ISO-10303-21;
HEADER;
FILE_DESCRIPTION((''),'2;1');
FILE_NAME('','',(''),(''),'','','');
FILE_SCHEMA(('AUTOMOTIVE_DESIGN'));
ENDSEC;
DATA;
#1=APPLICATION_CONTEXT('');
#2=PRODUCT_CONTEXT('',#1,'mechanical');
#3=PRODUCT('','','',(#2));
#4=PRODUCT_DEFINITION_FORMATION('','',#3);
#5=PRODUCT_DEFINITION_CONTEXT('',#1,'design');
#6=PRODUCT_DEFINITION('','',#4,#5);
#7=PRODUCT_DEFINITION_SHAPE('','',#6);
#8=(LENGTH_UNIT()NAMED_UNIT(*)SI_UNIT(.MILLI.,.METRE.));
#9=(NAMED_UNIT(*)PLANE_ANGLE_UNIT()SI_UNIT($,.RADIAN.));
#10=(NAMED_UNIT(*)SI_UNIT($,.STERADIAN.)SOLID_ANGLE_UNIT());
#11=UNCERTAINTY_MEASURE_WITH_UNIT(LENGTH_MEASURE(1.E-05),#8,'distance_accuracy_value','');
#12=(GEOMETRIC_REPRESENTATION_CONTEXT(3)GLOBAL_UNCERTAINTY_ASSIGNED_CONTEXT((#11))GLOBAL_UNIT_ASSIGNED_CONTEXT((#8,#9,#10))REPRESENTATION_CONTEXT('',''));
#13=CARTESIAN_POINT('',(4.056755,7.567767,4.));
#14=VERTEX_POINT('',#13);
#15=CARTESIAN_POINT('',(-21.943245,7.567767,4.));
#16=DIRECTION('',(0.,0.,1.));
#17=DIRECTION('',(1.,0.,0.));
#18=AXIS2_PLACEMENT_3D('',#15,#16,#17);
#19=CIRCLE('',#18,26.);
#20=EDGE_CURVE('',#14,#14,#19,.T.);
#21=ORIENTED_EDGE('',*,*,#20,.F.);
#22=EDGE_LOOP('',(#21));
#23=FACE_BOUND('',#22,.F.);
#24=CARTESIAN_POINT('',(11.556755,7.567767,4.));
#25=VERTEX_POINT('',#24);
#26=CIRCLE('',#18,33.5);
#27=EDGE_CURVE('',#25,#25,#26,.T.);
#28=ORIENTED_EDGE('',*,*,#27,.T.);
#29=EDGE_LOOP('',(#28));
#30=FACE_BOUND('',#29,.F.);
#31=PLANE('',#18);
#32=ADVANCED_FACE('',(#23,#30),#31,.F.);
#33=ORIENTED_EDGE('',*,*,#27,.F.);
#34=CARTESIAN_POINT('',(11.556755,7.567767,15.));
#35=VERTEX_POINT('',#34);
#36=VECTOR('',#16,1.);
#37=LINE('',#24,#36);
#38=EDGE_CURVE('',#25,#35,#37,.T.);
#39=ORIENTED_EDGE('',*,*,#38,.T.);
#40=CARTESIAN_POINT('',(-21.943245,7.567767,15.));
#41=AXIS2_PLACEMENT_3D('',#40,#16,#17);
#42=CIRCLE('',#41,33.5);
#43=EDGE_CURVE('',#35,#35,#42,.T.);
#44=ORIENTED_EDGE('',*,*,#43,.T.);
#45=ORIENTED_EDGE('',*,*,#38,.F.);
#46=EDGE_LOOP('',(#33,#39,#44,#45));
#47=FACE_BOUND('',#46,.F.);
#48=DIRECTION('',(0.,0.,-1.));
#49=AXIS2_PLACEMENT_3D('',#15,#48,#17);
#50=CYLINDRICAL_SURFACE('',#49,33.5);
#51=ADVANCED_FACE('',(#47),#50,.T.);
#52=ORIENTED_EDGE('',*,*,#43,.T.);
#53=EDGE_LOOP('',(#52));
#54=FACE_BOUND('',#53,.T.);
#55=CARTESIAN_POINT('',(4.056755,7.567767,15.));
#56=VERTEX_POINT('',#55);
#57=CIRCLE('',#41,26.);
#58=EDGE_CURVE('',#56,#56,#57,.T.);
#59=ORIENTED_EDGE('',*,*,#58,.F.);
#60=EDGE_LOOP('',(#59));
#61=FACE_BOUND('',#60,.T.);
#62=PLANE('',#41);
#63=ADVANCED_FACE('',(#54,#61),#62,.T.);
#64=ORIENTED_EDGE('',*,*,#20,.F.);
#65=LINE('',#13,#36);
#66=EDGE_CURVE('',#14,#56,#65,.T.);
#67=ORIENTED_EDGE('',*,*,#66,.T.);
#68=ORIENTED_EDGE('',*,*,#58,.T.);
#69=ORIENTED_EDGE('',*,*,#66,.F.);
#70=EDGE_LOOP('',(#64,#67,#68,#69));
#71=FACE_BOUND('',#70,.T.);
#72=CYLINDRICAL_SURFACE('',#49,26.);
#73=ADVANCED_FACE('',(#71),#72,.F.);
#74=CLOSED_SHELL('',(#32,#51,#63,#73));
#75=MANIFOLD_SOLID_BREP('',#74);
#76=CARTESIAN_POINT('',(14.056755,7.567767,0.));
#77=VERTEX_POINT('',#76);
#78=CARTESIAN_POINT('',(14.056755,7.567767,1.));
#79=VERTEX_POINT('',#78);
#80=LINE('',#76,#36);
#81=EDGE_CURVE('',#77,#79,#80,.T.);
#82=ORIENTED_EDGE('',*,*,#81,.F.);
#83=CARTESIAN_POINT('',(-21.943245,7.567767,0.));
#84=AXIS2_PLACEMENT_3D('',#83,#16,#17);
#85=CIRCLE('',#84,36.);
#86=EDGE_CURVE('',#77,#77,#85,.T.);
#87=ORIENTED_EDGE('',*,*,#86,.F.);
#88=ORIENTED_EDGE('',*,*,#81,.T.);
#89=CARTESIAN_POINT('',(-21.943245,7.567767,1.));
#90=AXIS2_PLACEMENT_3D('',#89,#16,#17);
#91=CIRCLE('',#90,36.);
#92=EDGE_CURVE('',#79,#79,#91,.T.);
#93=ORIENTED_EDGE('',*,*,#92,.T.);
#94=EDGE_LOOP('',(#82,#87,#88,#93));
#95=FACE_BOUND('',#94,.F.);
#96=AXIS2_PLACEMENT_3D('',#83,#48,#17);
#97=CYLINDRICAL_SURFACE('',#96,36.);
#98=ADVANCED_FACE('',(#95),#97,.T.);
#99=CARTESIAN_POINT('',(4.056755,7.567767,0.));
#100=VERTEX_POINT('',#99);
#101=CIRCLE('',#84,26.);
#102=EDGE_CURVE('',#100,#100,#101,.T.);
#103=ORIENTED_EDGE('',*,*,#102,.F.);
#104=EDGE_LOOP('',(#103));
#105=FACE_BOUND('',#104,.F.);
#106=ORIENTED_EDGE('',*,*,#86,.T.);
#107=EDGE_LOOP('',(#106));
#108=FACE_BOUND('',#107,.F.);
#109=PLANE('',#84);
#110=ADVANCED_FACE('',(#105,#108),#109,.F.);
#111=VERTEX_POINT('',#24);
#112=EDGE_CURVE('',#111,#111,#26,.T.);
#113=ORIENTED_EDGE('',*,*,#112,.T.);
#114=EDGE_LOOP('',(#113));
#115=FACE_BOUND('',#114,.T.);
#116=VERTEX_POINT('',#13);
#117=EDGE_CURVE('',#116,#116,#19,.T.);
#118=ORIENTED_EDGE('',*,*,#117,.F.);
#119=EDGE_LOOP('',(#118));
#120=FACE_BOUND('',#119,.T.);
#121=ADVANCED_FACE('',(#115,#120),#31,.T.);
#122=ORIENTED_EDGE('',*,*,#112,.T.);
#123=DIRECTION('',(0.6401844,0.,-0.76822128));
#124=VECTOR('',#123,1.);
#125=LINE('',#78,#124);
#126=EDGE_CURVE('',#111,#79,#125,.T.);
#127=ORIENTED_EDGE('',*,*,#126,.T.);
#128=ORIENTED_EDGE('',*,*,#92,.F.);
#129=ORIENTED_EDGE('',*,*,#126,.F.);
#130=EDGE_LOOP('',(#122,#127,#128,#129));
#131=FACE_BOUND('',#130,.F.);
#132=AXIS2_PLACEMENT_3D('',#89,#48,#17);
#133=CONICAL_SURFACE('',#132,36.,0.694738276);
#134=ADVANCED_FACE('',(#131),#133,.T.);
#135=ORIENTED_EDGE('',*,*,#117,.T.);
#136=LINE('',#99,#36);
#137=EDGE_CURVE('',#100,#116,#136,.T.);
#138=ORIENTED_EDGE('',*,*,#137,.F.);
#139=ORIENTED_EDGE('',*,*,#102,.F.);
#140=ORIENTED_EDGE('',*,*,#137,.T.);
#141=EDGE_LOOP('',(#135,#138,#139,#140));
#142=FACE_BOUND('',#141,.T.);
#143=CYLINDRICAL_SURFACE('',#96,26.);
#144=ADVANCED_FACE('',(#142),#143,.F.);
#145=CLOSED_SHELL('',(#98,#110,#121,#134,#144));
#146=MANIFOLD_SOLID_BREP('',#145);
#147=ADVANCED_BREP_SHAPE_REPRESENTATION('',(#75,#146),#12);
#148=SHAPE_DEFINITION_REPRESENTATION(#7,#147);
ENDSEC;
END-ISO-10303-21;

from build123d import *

# Parameters (mm, degrees)
F0_R     = 36
F0_R_2   = 26
F1_DEPTH = 4
F2_R     = 33.5
F2_R_2   = 26
F3_DEPTH = 11
F4_SIZE2 = 3
F4_SIZE  = 2.5


with BuildPart() as f1:
    # F0 (on Top) → F1 (new body)
    with BuildSketch(Plane.XY):
        with Locations((-21.9432450831, 7.5677670538)):
            Circle(F0_R)
        with Locations((-21.9432450831, 7.5677670538)):
            Circle(F0_R_2, mode=Mode.SUBTRACT)
    extrude(amount=F1_DEPTH)

    # F4
    f4_edges = [f1.edges().sort_by_distance(p)[0] for p in [
        (-57.943245, 7.567767, 4),
    ]]
    f4_side = f1.faces().sort_by_distance((-56.925011, 7.567767, 4))[0]
    chamfer(f4_edges, length=F4_SIZE, length2=F4_SIZE2, reference=f4_side)


with BuildPart() as f3:
    # F2 (on face) → F3 (new body)
    with BuildSketch(Plane.XY.offset(4)):
        with Locations((-21.9432450831, 7.5677670538)):
            Circle(F2_R)
        with Locations((-21.9432450831, 7.5677670538)):
            Circle(F2_R_2, mode=Mode.SUBTRACT)
    extrude(amount=F3_DEPTH)


solid = Compound([f1.part, f3.part])
